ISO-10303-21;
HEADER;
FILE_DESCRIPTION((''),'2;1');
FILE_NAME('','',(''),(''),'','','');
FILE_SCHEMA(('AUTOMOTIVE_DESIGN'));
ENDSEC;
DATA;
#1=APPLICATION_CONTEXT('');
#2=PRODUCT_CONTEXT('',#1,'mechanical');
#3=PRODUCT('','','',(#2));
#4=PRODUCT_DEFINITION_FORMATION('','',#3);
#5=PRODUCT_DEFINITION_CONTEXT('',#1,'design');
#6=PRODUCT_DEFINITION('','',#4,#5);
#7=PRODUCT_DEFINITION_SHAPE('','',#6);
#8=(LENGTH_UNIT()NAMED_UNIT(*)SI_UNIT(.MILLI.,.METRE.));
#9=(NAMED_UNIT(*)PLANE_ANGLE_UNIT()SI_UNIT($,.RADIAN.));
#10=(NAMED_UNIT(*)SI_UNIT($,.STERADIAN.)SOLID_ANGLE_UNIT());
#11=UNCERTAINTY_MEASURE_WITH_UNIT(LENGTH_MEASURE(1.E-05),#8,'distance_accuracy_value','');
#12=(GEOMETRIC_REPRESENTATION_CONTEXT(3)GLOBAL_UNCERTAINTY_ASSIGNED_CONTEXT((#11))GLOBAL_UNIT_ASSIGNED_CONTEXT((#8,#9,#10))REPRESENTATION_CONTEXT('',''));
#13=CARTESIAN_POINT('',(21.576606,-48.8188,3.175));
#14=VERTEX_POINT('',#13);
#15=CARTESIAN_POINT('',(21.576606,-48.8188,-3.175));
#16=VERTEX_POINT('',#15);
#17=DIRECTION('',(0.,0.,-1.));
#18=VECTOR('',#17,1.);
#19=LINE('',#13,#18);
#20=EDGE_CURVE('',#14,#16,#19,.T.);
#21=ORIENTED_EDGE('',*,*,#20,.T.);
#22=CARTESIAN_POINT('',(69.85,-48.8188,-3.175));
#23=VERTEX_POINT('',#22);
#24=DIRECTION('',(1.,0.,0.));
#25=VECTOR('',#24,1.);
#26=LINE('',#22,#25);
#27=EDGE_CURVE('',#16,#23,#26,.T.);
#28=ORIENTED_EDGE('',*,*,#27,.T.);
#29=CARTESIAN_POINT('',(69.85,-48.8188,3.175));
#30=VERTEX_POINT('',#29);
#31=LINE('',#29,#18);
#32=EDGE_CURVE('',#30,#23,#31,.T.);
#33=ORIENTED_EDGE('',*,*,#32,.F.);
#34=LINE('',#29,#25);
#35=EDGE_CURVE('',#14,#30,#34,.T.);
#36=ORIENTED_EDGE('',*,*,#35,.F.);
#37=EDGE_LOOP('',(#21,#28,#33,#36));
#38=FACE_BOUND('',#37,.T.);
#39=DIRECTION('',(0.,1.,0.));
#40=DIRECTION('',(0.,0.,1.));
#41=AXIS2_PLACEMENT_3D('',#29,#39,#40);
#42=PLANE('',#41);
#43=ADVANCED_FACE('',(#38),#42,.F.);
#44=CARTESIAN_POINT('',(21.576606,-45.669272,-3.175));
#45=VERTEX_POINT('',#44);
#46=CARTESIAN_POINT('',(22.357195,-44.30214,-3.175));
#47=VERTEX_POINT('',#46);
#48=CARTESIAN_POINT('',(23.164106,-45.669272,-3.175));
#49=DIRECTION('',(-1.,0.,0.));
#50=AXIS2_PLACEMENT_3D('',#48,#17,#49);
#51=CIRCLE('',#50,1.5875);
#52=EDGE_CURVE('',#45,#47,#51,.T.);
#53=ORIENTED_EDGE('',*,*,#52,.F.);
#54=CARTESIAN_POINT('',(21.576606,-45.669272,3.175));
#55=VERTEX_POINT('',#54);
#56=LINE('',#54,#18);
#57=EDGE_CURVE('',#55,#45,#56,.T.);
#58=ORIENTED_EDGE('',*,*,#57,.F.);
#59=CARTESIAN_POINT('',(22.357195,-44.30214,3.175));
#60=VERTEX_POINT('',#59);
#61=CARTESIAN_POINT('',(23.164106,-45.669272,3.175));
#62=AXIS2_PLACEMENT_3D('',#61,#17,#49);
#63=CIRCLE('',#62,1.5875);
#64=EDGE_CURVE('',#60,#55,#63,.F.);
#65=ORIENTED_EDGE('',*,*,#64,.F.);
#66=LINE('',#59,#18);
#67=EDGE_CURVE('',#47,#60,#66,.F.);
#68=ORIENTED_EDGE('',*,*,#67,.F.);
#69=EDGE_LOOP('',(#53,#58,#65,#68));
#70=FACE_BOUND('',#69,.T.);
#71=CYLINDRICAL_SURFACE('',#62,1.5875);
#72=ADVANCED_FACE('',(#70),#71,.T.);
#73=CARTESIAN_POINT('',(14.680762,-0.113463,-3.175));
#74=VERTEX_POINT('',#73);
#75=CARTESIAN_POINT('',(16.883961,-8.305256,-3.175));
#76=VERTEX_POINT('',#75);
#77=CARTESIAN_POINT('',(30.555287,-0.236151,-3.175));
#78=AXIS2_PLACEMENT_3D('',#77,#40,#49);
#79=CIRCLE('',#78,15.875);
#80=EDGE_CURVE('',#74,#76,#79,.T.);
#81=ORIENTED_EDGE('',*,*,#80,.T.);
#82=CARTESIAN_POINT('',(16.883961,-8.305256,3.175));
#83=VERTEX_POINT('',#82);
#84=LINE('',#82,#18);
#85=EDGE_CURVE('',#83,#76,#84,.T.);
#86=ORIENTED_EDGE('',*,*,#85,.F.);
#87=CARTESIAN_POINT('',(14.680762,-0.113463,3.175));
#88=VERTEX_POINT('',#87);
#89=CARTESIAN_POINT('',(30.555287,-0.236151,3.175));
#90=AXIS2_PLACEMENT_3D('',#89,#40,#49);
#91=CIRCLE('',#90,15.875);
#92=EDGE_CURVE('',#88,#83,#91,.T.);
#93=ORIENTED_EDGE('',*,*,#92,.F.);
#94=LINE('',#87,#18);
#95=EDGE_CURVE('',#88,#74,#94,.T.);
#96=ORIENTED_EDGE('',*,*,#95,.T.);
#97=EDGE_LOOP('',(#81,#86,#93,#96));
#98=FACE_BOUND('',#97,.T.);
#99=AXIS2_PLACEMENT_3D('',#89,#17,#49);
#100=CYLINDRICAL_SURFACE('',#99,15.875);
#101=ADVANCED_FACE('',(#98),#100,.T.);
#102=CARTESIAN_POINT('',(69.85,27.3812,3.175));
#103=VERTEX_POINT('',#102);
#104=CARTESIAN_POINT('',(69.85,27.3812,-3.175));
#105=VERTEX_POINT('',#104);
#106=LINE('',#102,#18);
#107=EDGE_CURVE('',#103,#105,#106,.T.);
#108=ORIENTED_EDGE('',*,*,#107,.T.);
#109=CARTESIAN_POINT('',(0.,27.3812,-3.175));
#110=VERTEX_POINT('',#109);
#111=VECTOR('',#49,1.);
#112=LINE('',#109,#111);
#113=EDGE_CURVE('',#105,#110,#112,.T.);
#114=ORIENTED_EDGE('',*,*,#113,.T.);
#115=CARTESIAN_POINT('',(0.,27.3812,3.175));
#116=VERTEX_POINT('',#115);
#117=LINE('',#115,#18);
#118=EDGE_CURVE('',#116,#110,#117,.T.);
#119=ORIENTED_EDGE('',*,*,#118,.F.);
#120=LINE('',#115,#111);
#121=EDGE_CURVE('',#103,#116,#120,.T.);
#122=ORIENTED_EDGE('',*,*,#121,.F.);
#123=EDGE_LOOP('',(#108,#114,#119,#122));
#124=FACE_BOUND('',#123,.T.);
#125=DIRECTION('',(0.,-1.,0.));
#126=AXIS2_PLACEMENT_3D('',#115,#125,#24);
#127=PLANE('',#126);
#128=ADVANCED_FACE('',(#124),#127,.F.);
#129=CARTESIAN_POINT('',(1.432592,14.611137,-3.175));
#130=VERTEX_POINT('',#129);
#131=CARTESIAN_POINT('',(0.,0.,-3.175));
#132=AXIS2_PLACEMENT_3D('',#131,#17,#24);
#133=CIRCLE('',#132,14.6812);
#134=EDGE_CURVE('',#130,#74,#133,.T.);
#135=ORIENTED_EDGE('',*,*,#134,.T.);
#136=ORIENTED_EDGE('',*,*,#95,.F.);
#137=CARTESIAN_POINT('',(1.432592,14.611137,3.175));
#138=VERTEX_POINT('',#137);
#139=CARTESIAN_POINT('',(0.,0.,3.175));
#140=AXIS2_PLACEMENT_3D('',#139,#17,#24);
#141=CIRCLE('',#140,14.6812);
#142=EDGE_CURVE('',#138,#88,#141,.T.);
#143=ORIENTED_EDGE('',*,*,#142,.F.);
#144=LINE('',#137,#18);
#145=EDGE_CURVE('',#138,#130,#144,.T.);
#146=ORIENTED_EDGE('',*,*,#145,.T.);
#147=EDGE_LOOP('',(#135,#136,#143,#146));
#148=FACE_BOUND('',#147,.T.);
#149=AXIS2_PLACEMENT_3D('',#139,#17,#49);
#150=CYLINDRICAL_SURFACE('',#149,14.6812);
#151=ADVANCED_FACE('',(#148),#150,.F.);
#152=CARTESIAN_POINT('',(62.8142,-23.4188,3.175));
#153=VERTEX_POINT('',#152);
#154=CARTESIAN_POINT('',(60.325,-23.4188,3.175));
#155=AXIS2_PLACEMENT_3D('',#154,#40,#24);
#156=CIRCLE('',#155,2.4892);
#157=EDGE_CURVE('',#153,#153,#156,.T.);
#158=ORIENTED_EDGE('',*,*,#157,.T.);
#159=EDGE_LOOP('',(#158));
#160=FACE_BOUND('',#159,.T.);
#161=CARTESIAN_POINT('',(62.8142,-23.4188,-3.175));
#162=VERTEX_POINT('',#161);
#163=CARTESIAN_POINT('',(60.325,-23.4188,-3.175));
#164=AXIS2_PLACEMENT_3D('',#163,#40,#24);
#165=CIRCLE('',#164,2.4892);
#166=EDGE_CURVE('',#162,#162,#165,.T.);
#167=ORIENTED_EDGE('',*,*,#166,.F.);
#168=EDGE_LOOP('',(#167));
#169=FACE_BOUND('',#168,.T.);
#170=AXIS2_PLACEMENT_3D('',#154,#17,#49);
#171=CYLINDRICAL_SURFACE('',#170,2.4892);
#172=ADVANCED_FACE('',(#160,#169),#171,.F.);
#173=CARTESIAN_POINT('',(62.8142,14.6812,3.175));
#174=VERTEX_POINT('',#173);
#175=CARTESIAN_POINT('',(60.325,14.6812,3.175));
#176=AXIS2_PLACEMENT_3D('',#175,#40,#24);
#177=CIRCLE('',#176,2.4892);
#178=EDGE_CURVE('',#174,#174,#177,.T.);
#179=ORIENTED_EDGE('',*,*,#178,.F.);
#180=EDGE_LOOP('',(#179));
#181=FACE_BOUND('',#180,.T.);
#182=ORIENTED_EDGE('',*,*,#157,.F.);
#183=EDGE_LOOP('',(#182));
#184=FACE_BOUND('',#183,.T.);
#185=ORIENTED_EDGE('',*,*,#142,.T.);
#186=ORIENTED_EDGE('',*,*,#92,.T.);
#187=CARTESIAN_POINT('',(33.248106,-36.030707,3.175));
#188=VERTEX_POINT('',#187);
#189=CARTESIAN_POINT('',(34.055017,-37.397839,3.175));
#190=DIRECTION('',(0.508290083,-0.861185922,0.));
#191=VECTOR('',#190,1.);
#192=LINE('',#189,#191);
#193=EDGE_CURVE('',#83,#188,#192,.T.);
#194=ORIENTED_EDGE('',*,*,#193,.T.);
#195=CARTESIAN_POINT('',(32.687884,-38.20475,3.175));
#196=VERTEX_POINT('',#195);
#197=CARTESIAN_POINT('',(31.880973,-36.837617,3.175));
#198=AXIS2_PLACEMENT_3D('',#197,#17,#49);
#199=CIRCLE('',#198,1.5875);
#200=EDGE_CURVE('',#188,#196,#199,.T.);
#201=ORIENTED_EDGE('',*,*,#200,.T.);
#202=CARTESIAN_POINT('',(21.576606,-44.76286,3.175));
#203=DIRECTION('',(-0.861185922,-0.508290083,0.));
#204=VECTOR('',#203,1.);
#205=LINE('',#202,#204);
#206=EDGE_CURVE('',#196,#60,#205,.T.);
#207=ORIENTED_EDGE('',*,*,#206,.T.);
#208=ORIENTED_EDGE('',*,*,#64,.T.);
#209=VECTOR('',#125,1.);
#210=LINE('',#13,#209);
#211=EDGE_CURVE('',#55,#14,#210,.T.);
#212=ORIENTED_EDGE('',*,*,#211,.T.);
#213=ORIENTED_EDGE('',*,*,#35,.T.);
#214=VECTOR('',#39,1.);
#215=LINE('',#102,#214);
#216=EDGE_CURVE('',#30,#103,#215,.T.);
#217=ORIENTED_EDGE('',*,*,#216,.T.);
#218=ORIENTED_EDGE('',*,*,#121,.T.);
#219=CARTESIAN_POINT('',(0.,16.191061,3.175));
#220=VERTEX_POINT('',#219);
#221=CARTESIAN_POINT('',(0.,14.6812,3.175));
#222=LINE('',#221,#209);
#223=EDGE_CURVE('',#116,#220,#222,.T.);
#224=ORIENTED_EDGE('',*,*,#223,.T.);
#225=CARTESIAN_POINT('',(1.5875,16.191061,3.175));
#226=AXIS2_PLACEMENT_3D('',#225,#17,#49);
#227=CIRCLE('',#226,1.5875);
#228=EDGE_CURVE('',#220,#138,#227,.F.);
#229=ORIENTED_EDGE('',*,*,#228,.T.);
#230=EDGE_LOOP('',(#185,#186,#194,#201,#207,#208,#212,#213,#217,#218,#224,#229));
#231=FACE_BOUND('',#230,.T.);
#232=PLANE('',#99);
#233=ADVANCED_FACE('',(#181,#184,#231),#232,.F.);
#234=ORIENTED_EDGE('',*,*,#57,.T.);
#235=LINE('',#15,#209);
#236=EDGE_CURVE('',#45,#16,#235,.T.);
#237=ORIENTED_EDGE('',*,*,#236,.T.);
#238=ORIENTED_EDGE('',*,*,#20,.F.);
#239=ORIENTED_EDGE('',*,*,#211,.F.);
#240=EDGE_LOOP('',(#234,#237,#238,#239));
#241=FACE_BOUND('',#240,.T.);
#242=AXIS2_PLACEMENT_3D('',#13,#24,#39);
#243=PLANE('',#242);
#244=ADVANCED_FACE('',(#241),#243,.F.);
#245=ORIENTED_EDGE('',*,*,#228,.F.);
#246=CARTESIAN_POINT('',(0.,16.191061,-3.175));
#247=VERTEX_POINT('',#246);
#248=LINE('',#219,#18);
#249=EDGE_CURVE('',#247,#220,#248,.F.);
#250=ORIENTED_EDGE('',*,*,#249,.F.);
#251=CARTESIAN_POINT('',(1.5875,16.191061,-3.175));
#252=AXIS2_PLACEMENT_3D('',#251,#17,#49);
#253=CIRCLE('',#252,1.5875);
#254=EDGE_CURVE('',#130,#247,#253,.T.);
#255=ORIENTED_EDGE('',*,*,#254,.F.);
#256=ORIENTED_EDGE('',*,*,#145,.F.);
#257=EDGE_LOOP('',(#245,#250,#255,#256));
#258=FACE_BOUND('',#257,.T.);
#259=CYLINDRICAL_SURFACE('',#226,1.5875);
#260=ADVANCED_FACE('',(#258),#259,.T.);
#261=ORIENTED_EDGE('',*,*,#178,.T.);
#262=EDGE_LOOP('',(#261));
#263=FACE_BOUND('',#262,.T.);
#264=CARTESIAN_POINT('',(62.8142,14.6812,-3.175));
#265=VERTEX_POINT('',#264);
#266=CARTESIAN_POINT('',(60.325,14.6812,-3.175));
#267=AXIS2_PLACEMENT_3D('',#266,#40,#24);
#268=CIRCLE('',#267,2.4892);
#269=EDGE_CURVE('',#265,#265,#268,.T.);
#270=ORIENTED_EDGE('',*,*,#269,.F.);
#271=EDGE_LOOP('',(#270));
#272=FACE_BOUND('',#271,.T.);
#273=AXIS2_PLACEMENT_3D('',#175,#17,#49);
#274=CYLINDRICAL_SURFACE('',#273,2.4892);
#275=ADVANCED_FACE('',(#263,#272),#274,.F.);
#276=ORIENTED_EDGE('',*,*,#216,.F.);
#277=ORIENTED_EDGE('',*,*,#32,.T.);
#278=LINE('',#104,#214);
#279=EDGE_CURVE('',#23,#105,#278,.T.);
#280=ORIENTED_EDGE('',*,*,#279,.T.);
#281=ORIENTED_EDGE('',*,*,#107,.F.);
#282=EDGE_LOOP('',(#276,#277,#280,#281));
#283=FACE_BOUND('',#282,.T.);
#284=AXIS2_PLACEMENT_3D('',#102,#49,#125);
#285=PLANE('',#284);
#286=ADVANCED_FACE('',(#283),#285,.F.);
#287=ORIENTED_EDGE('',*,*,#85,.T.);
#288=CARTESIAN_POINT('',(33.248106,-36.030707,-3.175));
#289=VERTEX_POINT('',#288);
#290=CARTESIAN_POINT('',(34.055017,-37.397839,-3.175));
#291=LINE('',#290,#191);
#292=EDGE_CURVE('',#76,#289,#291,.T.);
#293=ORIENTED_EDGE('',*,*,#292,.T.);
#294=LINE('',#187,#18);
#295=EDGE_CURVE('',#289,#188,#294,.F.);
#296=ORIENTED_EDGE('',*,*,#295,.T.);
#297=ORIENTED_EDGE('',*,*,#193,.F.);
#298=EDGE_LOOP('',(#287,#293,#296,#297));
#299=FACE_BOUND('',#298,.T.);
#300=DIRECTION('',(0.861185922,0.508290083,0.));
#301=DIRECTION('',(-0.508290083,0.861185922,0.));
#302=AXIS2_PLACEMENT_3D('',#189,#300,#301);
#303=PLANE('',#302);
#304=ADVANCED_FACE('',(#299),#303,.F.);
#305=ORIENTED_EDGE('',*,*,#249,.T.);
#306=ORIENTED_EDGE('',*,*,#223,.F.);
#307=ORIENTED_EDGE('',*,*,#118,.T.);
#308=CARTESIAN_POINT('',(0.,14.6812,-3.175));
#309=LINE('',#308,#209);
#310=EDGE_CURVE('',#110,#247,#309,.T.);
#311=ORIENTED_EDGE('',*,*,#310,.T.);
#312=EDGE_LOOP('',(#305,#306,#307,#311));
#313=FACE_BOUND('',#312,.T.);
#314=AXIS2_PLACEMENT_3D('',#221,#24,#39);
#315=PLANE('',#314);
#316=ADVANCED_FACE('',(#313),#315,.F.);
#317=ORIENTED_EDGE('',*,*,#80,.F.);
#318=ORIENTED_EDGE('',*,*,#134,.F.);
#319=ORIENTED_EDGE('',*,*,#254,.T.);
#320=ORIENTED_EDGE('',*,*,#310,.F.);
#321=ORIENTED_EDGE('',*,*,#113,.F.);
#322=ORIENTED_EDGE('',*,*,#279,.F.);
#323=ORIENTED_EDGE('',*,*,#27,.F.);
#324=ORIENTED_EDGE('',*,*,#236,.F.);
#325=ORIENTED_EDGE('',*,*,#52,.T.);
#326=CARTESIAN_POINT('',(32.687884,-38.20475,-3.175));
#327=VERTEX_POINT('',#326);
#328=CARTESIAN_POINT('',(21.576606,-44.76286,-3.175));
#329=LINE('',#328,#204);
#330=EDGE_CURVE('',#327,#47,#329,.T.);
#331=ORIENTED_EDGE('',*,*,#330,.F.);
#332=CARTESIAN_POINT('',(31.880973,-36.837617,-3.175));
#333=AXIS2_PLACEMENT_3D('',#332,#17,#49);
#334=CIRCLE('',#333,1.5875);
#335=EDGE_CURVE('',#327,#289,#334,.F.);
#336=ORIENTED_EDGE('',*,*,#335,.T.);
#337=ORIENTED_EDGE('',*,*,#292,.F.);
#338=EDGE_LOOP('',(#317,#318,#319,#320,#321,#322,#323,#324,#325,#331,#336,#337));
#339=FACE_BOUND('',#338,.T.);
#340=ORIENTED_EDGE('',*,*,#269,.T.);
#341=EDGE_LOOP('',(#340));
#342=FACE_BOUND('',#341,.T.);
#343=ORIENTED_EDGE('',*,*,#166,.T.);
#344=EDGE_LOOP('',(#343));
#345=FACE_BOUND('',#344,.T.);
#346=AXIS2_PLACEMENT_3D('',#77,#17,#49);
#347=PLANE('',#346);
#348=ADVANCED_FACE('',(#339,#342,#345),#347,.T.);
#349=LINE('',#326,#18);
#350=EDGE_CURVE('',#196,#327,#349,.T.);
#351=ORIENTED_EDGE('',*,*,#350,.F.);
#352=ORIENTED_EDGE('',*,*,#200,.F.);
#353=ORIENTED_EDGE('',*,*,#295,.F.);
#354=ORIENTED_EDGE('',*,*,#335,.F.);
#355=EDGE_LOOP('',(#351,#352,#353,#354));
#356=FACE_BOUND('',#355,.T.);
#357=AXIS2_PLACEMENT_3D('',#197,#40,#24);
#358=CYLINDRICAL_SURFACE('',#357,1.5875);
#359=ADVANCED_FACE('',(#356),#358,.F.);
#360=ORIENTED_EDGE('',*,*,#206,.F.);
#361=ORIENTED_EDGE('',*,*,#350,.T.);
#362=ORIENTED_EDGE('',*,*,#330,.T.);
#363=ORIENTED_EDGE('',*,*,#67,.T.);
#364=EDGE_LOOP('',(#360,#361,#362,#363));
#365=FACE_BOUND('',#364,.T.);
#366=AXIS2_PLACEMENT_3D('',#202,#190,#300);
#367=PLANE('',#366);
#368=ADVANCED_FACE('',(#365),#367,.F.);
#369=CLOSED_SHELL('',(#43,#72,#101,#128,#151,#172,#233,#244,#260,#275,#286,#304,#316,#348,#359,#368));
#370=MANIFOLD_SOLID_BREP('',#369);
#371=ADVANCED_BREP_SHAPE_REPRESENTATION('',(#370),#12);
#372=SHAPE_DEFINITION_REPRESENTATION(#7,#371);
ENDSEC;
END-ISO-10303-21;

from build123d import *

# Parameters (mm, degrees)
SKETCH1_R           = 2.4892
BOSS_EXTRUDE1_DEPTH = 3.175
FILLET1_R           = 1.5875


with BuildPart() as part:
    # Sketch1 → Boss-Extrude1 (new, symmetric)
    with BuildSketch(Plane.XY):
        with BuildLine():
            Line((69.85, 27.3812), (69.85, -48.8188))
            Line((69.85, -48.8188), (21.576606, -48.8188))
            Line((21.576606, -48.8188), (21.576606, -44.762860113))
            Line((21.576606, -44.762860113), (34.055016522, -37.397839205))
            Line((34.055016522, -37.397839205), (16.883960941, -8.3052564))
            ThreePointArc((16.883960941, -8.3052564), (15.225065006, -4.359245427), (14.68076155, -0.11346257))
            ThreePointArc((14.68076155, -0.11346257), (10.421213944, 10.340983192), (0, 14.6812))
            Line((0, 14.6812), (0, 27.3812))
            Line((0, 27.3812), (69.85, 27.3812))
        make_face()
        with Locations((60.325, 14.6812)):
            Circle(SKETCH1_R, mode=Mode.SUBTRACT)
        with Locations((60.325, -23.4188)):
            Circle(SKETCH1_R, mode=Mode.SUBTRACT)
    extrude(amount=BOSS_EXTRUDE1_DEPTH, both=True)

    # Fillet1
    fillet1_edges = [part.edges().sort_by_distance(p)[0] for p in [
        (21.576606, -44.762860113, 0),
        (34.055016522, -37.397839205, 0),
        (0, 14.6812, 0),
    ]]
    fillet(fillet1_edges, radius=FILLET1_R)


solid = part.part
